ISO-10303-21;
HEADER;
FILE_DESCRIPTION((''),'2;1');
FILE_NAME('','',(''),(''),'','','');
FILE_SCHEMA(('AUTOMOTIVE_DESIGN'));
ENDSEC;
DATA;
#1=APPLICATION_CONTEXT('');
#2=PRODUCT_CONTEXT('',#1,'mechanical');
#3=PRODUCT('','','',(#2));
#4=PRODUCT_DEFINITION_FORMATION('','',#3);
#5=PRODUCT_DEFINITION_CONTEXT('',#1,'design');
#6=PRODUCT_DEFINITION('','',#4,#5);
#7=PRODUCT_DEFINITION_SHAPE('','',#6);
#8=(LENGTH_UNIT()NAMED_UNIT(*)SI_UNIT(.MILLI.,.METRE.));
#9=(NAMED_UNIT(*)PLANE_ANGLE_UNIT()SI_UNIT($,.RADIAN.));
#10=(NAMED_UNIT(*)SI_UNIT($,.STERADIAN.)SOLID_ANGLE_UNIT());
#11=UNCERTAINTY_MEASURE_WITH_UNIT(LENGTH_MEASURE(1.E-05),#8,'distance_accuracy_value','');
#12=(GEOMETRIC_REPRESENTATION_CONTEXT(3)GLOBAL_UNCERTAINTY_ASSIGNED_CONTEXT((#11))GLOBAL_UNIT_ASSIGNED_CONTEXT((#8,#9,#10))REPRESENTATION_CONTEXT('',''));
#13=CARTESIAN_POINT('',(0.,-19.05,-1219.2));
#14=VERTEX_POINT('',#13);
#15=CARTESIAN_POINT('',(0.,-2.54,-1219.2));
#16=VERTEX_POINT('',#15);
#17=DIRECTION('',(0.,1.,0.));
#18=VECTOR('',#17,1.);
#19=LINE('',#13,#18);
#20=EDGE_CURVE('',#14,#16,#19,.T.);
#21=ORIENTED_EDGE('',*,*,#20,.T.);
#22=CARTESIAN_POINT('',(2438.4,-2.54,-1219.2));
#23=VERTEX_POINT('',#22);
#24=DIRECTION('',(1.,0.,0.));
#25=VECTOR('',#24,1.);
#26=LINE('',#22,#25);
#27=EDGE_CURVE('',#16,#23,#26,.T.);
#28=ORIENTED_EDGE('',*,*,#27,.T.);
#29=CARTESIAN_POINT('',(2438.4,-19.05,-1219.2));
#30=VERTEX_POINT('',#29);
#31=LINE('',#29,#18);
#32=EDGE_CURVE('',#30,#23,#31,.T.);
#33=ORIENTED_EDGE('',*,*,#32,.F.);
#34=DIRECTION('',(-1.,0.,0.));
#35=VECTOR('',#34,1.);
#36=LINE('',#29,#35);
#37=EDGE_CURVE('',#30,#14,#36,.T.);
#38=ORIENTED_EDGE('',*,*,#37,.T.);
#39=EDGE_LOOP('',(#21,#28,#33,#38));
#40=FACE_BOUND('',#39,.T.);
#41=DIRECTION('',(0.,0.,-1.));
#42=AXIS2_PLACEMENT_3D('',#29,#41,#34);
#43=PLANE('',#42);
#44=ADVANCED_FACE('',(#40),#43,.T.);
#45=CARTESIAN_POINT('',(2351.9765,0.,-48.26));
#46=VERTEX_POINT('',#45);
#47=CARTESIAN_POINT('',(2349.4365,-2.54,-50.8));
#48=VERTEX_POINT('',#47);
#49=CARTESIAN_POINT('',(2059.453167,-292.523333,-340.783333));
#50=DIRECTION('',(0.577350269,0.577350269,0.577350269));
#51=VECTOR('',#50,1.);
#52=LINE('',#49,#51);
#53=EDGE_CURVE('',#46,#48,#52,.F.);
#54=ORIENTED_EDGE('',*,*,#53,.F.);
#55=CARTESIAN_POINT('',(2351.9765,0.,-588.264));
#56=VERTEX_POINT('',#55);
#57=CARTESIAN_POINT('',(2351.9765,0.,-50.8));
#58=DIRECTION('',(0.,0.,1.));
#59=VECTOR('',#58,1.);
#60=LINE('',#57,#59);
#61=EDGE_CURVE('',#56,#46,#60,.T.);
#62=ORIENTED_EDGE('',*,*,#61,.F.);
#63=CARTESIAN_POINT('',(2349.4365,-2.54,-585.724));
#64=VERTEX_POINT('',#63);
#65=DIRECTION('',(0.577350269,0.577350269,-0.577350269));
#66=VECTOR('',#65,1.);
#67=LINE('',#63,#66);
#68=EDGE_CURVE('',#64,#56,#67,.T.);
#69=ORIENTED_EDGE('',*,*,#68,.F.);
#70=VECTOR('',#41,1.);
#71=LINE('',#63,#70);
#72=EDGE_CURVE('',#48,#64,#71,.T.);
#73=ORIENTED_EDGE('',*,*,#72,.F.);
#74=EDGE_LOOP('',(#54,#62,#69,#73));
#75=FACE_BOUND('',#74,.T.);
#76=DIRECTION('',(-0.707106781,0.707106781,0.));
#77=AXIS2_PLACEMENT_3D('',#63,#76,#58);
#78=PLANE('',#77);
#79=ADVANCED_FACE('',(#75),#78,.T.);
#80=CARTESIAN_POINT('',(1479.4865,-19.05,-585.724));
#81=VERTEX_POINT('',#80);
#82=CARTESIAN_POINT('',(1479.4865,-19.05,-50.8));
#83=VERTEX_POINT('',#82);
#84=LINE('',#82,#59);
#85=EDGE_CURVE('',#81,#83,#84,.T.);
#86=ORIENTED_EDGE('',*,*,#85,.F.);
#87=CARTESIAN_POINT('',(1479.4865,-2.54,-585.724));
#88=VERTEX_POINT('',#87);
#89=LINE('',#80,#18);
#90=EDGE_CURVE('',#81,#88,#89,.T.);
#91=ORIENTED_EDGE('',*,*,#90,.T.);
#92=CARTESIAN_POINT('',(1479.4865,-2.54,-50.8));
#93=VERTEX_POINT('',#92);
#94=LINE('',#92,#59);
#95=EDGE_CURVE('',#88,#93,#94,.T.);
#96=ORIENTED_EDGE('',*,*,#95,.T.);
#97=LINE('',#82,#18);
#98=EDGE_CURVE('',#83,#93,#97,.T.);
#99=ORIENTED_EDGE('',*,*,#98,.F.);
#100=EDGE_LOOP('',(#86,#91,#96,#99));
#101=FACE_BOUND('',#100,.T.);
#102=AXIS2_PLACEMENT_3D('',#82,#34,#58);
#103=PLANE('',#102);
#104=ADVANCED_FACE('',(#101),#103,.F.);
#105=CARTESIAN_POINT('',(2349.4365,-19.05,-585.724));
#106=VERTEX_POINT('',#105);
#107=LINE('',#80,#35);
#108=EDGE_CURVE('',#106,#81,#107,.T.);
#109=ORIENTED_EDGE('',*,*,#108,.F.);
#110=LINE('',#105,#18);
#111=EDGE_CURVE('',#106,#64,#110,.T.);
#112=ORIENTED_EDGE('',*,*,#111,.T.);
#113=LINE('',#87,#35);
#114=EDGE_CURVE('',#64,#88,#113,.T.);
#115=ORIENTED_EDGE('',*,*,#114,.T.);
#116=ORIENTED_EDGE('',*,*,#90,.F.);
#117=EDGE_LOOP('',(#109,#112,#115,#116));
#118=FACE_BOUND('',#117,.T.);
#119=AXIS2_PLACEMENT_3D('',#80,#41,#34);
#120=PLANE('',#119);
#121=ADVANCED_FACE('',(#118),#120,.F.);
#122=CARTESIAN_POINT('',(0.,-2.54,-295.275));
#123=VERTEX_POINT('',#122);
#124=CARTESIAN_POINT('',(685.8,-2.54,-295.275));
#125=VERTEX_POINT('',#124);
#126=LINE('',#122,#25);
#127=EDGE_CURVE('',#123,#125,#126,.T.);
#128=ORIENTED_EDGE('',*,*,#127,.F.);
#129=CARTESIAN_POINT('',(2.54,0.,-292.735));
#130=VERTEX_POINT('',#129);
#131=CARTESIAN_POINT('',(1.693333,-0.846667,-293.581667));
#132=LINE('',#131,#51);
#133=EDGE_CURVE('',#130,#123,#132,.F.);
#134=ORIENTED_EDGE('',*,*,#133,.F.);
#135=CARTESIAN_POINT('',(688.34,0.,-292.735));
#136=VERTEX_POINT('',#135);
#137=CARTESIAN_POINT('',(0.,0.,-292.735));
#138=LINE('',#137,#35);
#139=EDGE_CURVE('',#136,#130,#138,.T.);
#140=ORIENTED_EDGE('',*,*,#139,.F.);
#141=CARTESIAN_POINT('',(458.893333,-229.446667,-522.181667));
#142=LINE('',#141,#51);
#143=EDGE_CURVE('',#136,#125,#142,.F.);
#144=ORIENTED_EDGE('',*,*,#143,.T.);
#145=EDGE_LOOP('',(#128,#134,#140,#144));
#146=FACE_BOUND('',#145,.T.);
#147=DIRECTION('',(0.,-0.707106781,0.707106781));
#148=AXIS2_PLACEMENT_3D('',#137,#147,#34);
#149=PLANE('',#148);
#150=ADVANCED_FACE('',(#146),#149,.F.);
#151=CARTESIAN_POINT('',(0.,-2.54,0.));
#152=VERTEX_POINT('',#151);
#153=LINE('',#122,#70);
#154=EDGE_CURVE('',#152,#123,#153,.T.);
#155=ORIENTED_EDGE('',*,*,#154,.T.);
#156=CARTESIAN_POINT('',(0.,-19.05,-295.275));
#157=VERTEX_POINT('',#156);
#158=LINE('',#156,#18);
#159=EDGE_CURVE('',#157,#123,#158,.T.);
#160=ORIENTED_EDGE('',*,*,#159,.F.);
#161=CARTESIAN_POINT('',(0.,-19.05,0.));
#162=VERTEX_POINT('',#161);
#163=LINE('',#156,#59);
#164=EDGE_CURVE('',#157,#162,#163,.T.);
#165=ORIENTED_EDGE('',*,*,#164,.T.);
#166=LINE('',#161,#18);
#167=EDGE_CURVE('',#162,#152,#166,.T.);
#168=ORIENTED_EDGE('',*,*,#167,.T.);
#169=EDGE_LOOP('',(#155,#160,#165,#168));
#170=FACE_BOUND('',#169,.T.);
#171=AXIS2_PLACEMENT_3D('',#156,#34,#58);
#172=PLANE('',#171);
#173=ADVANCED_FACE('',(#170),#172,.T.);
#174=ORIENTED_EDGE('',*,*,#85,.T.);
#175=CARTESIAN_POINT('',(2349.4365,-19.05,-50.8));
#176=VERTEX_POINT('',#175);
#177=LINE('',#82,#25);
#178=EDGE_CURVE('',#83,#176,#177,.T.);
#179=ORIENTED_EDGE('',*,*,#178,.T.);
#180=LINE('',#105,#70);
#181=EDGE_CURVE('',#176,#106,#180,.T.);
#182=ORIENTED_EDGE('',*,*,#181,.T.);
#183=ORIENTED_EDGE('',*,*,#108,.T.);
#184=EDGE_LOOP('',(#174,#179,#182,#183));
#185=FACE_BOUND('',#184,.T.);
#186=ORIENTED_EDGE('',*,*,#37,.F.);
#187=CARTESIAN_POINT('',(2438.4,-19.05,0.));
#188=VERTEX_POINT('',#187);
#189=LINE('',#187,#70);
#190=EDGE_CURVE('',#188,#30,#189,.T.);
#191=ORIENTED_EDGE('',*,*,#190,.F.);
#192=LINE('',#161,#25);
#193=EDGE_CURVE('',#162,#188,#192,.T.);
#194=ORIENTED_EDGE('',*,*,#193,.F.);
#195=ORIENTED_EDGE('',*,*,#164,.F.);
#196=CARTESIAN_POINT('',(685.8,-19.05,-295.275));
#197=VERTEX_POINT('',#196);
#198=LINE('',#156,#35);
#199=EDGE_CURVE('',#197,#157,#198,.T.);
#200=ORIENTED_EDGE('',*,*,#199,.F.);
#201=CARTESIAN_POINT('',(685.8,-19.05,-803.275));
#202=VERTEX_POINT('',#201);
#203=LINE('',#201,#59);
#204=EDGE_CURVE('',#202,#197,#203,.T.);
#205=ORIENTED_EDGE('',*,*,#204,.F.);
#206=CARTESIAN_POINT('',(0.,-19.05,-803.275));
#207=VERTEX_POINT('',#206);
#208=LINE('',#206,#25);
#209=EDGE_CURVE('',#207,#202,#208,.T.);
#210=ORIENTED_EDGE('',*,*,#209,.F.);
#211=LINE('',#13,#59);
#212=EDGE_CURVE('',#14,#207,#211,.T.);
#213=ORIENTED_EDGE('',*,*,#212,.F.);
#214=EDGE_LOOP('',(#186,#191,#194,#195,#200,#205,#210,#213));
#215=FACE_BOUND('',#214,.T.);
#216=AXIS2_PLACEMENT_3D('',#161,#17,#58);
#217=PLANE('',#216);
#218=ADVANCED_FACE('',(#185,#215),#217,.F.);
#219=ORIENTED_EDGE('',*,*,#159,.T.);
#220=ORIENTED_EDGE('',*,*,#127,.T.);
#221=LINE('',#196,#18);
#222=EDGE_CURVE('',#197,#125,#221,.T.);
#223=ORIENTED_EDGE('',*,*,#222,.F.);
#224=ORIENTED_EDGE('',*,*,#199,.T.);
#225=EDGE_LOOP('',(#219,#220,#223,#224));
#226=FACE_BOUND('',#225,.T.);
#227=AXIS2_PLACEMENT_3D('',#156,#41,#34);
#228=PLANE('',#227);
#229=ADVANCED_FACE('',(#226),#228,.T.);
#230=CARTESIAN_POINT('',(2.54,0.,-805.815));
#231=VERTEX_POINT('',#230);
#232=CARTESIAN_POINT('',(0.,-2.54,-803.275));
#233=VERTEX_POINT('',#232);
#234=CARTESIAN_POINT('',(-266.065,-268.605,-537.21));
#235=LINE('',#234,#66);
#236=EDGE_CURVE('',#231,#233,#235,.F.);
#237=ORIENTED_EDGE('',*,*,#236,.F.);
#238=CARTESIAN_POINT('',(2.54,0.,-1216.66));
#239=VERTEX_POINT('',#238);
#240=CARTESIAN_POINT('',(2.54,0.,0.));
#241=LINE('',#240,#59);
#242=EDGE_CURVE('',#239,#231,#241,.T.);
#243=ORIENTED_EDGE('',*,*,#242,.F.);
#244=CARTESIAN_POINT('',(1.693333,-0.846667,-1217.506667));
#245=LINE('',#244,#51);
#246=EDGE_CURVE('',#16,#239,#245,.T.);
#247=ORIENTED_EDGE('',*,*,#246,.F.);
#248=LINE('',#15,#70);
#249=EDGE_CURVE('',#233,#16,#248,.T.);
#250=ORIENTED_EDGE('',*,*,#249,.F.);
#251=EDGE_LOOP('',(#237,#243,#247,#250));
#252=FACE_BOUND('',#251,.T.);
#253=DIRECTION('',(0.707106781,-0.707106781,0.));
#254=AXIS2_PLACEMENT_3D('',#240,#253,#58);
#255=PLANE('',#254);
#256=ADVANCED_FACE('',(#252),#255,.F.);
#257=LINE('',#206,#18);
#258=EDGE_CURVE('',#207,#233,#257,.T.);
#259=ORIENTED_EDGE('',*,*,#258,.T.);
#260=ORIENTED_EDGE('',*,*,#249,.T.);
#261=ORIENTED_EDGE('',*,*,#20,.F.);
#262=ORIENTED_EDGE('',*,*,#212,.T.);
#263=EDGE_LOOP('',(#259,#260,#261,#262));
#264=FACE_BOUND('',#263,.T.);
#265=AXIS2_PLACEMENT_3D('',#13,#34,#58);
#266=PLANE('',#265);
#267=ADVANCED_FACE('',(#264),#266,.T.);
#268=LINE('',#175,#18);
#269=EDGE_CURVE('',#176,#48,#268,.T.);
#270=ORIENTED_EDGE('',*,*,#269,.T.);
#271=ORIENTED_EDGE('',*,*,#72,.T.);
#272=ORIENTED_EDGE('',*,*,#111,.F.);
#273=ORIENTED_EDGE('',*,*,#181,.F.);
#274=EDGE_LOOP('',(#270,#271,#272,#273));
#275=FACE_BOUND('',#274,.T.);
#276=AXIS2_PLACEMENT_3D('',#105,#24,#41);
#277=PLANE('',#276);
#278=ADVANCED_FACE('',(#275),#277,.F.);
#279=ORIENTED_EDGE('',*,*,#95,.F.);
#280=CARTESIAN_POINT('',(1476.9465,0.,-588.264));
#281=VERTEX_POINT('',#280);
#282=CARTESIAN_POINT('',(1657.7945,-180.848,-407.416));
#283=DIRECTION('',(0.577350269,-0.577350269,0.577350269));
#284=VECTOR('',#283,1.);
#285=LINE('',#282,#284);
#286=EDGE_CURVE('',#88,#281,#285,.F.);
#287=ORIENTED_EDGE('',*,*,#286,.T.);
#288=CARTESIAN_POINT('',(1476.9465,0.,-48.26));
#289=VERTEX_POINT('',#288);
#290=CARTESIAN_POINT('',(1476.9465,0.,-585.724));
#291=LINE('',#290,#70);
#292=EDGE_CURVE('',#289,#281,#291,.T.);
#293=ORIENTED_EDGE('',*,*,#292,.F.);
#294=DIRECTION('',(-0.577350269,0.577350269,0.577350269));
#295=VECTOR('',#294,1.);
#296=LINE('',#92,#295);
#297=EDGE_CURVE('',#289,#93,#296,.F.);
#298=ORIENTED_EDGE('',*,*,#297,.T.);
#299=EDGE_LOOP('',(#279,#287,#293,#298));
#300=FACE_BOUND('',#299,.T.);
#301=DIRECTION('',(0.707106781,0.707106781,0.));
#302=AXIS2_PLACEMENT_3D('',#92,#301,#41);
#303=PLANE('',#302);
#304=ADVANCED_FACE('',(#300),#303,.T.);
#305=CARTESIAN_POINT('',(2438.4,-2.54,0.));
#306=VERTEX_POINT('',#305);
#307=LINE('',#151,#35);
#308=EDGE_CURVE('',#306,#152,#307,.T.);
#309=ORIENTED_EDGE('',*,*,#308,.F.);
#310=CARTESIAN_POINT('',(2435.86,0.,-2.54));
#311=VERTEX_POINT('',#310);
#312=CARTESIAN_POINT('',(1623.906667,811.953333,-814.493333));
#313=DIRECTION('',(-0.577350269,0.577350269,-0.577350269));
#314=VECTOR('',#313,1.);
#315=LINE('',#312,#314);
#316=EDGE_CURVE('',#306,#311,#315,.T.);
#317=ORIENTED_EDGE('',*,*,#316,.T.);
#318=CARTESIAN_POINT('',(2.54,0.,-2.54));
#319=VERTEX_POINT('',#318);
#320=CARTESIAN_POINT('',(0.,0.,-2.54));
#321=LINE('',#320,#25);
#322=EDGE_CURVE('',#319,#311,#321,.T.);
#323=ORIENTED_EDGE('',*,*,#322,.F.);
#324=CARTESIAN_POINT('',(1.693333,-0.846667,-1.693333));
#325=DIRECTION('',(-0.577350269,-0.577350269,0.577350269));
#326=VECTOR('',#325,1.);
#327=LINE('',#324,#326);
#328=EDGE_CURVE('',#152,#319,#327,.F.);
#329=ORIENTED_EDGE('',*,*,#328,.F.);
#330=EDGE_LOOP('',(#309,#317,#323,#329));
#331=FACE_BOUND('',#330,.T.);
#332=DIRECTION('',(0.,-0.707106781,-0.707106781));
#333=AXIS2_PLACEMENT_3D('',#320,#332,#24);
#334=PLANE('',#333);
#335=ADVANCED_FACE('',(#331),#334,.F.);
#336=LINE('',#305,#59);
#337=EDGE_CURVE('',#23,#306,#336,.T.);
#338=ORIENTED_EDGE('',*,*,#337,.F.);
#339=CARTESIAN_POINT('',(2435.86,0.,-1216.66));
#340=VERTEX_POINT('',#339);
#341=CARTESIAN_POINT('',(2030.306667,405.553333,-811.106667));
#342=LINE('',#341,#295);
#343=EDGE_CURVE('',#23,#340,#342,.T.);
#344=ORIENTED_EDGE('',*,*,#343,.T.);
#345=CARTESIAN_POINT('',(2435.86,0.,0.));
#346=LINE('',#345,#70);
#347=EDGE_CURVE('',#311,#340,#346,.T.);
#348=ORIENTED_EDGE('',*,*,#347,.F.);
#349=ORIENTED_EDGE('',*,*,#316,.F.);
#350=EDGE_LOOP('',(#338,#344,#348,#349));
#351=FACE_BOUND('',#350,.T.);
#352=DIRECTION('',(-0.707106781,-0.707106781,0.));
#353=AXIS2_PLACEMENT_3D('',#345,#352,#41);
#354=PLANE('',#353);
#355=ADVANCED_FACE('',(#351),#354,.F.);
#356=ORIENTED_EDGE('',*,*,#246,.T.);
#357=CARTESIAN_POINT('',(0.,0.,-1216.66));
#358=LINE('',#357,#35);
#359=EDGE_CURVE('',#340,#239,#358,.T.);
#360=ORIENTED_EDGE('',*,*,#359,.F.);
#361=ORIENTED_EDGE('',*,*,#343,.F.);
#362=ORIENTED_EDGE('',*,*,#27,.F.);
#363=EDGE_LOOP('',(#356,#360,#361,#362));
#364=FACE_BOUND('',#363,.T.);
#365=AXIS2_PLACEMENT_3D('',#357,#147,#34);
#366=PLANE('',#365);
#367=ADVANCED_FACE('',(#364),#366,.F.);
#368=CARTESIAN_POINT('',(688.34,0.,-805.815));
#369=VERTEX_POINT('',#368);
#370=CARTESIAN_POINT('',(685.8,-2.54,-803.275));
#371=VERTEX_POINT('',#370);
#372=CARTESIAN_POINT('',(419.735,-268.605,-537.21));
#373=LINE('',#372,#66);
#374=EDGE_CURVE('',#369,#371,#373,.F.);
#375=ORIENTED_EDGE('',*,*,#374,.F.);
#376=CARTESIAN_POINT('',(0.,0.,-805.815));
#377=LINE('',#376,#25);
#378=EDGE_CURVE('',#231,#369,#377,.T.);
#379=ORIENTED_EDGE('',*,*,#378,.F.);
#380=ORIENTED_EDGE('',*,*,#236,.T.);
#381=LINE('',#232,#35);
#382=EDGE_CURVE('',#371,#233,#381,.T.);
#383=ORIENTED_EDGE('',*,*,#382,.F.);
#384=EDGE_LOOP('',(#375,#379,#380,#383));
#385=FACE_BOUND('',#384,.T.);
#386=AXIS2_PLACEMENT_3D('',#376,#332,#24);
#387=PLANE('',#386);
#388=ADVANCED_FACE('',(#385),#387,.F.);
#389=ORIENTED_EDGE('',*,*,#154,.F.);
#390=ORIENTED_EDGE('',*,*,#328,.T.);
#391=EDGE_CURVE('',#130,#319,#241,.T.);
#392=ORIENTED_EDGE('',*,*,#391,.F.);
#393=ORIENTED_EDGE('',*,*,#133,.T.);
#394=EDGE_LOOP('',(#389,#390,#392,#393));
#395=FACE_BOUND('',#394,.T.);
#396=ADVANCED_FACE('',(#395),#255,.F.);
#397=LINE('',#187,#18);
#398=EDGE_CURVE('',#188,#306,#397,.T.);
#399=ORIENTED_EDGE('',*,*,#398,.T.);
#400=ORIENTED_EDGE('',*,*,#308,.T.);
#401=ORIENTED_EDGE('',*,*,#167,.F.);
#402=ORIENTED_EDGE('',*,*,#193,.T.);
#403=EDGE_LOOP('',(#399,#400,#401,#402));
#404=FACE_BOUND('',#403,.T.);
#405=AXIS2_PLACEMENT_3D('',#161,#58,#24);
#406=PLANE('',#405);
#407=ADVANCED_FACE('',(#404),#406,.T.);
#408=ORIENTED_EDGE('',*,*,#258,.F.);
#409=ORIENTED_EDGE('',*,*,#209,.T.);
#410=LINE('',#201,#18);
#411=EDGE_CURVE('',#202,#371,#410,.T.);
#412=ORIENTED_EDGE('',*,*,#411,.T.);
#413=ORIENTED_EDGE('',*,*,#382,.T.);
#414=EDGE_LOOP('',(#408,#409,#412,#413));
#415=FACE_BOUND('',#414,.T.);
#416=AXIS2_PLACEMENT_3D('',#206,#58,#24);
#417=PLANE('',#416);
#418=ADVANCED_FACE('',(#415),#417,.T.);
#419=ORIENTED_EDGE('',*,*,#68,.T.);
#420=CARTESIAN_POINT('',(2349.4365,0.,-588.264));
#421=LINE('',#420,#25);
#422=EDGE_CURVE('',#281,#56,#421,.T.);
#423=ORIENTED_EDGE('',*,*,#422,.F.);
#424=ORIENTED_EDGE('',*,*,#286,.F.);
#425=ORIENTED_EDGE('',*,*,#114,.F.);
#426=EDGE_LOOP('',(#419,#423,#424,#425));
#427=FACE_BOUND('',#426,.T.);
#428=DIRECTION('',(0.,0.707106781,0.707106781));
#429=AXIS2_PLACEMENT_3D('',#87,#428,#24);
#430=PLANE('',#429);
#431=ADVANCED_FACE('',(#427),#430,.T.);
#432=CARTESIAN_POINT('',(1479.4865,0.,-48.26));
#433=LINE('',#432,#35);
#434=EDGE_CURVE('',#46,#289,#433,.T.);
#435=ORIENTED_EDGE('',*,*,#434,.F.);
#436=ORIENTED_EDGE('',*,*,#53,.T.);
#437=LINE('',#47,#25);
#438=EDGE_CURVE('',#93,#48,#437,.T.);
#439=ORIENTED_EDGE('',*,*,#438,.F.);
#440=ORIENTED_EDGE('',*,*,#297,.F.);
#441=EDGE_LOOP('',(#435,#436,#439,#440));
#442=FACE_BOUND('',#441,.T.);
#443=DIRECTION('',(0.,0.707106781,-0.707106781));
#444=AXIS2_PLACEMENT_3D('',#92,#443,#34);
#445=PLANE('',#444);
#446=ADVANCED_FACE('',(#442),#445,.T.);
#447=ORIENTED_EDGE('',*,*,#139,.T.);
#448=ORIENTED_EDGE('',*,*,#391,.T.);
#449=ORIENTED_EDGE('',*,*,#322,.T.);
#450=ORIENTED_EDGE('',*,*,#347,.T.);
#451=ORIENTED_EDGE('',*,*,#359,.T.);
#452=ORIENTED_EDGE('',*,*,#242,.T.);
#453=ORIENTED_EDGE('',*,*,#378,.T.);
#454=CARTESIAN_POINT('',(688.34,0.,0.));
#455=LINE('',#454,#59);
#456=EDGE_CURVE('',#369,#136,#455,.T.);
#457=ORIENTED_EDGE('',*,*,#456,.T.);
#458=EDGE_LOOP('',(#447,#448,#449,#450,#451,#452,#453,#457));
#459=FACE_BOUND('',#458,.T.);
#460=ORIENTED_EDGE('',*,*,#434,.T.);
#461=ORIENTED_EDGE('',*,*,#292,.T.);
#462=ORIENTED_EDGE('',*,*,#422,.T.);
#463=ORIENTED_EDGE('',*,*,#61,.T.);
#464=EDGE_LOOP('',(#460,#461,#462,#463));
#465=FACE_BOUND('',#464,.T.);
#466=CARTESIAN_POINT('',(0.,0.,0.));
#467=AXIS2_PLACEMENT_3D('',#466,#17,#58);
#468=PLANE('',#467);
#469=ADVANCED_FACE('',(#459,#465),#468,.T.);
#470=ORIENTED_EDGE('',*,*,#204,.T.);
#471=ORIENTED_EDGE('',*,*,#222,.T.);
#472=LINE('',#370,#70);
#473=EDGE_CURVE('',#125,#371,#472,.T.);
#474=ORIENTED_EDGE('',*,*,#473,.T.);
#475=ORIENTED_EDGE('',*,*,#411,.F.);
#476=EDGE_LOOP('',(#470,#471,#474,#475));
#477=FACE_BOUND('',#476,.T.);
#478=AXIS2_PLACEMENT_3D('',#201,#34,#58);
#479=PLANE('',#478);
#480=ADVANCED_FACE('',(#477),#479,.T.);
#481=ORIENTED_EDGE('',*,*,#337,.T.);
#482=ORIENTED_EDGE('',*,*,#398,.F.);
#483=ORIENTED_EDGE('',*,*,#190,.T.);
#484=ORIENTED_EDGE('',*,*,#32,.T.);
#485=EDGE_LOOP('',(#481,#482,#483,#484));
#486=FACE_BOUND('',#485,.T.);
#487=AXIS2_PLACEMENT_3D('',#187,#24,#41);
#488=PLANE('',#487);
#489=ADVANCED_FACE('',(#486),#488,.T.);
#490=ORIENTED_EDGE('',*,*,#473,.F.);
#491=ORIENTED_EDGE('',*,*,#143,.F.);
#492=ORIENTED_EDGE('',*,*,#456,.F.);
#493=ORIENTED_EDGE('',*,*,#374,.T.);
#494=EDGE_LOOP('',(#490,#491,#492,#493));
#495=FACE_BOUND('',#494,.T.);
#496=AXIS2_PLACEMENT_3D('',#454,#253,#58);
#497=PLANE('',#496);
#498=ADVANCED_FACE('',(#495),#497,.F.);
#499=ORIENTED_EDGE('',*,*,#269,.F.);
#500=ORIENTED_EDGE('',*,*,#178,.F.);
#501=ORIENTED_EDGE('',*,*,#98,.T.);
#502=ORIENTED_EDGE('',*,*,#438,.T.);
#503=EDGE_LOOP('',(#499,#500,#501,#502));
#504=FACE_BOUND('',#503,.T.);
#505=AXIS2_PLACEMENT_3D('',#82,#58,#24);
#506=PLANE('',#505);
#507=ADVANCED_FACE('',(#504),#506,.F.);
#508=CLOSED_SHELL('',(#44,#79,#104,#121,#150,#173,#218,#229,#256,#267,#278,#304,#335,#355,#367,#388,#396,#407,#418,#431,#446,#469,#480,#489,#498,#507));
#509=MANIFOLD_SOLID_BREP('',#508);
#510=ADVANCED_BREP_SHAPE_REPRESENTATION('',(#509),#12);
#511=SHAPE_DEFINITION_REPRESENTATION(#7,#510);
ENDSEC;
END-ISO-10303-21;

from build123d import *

# Parameters (mm, degrees)
SKETCH1_W           = 869.95
SKETCH1_H           = 534.924
BOSS_EXTRUDE1_DEPTH = 19.05
CHAMFER1_SIZE       = 2.54


with BuildPart() as part:
    # Sketch1 → Boss-Extrude1 (new body)
    with BuildSketch(Plane(origin=(0, 0, 0), x_dir=(1, 0, 0), z_dir=(0, 1, 0))):
        Polygon((2438.4, 0), (2438.4, 1219.2), (0, 1219.2), (0, 803.275), (685.8, 803.275), (685.8, 295.275), (0, 295.275), (0, 0), align=None)
        with Locations((1914.4615, 318.262)):
            Rectangle(SKETCH1_W, SKETCH1_H, mode=Mode.SUBTRACT)
    extrude(amount=-BOSS_EXTRUDE1_DEPTH)

    # Chamfer1
    chamfer1_edges = [part.edges().sort_by_distance(p)[0] for p in [
        (0, 0, -1011.2375),
        (1219.2, 0, -1219.2),
        (2438.4, 0, -609.6),
        (1219.2, 0, 0),
        (1914.4615, 0, -585.724),
        (1479.4865, 0, -318.262),
        (1914.4615, 0, -50.8),
        (2349.4365, 0, -318.262),
        (0, 0, -147.6375),
        (342.9, 0, -295.275),
        (685.8, 0, -549.275),
        (342.9, 0, -803.275),
    ]]
    chamfer(chamfer1_edges, length=CHAMFER1_SIZE)


solid = part.part
